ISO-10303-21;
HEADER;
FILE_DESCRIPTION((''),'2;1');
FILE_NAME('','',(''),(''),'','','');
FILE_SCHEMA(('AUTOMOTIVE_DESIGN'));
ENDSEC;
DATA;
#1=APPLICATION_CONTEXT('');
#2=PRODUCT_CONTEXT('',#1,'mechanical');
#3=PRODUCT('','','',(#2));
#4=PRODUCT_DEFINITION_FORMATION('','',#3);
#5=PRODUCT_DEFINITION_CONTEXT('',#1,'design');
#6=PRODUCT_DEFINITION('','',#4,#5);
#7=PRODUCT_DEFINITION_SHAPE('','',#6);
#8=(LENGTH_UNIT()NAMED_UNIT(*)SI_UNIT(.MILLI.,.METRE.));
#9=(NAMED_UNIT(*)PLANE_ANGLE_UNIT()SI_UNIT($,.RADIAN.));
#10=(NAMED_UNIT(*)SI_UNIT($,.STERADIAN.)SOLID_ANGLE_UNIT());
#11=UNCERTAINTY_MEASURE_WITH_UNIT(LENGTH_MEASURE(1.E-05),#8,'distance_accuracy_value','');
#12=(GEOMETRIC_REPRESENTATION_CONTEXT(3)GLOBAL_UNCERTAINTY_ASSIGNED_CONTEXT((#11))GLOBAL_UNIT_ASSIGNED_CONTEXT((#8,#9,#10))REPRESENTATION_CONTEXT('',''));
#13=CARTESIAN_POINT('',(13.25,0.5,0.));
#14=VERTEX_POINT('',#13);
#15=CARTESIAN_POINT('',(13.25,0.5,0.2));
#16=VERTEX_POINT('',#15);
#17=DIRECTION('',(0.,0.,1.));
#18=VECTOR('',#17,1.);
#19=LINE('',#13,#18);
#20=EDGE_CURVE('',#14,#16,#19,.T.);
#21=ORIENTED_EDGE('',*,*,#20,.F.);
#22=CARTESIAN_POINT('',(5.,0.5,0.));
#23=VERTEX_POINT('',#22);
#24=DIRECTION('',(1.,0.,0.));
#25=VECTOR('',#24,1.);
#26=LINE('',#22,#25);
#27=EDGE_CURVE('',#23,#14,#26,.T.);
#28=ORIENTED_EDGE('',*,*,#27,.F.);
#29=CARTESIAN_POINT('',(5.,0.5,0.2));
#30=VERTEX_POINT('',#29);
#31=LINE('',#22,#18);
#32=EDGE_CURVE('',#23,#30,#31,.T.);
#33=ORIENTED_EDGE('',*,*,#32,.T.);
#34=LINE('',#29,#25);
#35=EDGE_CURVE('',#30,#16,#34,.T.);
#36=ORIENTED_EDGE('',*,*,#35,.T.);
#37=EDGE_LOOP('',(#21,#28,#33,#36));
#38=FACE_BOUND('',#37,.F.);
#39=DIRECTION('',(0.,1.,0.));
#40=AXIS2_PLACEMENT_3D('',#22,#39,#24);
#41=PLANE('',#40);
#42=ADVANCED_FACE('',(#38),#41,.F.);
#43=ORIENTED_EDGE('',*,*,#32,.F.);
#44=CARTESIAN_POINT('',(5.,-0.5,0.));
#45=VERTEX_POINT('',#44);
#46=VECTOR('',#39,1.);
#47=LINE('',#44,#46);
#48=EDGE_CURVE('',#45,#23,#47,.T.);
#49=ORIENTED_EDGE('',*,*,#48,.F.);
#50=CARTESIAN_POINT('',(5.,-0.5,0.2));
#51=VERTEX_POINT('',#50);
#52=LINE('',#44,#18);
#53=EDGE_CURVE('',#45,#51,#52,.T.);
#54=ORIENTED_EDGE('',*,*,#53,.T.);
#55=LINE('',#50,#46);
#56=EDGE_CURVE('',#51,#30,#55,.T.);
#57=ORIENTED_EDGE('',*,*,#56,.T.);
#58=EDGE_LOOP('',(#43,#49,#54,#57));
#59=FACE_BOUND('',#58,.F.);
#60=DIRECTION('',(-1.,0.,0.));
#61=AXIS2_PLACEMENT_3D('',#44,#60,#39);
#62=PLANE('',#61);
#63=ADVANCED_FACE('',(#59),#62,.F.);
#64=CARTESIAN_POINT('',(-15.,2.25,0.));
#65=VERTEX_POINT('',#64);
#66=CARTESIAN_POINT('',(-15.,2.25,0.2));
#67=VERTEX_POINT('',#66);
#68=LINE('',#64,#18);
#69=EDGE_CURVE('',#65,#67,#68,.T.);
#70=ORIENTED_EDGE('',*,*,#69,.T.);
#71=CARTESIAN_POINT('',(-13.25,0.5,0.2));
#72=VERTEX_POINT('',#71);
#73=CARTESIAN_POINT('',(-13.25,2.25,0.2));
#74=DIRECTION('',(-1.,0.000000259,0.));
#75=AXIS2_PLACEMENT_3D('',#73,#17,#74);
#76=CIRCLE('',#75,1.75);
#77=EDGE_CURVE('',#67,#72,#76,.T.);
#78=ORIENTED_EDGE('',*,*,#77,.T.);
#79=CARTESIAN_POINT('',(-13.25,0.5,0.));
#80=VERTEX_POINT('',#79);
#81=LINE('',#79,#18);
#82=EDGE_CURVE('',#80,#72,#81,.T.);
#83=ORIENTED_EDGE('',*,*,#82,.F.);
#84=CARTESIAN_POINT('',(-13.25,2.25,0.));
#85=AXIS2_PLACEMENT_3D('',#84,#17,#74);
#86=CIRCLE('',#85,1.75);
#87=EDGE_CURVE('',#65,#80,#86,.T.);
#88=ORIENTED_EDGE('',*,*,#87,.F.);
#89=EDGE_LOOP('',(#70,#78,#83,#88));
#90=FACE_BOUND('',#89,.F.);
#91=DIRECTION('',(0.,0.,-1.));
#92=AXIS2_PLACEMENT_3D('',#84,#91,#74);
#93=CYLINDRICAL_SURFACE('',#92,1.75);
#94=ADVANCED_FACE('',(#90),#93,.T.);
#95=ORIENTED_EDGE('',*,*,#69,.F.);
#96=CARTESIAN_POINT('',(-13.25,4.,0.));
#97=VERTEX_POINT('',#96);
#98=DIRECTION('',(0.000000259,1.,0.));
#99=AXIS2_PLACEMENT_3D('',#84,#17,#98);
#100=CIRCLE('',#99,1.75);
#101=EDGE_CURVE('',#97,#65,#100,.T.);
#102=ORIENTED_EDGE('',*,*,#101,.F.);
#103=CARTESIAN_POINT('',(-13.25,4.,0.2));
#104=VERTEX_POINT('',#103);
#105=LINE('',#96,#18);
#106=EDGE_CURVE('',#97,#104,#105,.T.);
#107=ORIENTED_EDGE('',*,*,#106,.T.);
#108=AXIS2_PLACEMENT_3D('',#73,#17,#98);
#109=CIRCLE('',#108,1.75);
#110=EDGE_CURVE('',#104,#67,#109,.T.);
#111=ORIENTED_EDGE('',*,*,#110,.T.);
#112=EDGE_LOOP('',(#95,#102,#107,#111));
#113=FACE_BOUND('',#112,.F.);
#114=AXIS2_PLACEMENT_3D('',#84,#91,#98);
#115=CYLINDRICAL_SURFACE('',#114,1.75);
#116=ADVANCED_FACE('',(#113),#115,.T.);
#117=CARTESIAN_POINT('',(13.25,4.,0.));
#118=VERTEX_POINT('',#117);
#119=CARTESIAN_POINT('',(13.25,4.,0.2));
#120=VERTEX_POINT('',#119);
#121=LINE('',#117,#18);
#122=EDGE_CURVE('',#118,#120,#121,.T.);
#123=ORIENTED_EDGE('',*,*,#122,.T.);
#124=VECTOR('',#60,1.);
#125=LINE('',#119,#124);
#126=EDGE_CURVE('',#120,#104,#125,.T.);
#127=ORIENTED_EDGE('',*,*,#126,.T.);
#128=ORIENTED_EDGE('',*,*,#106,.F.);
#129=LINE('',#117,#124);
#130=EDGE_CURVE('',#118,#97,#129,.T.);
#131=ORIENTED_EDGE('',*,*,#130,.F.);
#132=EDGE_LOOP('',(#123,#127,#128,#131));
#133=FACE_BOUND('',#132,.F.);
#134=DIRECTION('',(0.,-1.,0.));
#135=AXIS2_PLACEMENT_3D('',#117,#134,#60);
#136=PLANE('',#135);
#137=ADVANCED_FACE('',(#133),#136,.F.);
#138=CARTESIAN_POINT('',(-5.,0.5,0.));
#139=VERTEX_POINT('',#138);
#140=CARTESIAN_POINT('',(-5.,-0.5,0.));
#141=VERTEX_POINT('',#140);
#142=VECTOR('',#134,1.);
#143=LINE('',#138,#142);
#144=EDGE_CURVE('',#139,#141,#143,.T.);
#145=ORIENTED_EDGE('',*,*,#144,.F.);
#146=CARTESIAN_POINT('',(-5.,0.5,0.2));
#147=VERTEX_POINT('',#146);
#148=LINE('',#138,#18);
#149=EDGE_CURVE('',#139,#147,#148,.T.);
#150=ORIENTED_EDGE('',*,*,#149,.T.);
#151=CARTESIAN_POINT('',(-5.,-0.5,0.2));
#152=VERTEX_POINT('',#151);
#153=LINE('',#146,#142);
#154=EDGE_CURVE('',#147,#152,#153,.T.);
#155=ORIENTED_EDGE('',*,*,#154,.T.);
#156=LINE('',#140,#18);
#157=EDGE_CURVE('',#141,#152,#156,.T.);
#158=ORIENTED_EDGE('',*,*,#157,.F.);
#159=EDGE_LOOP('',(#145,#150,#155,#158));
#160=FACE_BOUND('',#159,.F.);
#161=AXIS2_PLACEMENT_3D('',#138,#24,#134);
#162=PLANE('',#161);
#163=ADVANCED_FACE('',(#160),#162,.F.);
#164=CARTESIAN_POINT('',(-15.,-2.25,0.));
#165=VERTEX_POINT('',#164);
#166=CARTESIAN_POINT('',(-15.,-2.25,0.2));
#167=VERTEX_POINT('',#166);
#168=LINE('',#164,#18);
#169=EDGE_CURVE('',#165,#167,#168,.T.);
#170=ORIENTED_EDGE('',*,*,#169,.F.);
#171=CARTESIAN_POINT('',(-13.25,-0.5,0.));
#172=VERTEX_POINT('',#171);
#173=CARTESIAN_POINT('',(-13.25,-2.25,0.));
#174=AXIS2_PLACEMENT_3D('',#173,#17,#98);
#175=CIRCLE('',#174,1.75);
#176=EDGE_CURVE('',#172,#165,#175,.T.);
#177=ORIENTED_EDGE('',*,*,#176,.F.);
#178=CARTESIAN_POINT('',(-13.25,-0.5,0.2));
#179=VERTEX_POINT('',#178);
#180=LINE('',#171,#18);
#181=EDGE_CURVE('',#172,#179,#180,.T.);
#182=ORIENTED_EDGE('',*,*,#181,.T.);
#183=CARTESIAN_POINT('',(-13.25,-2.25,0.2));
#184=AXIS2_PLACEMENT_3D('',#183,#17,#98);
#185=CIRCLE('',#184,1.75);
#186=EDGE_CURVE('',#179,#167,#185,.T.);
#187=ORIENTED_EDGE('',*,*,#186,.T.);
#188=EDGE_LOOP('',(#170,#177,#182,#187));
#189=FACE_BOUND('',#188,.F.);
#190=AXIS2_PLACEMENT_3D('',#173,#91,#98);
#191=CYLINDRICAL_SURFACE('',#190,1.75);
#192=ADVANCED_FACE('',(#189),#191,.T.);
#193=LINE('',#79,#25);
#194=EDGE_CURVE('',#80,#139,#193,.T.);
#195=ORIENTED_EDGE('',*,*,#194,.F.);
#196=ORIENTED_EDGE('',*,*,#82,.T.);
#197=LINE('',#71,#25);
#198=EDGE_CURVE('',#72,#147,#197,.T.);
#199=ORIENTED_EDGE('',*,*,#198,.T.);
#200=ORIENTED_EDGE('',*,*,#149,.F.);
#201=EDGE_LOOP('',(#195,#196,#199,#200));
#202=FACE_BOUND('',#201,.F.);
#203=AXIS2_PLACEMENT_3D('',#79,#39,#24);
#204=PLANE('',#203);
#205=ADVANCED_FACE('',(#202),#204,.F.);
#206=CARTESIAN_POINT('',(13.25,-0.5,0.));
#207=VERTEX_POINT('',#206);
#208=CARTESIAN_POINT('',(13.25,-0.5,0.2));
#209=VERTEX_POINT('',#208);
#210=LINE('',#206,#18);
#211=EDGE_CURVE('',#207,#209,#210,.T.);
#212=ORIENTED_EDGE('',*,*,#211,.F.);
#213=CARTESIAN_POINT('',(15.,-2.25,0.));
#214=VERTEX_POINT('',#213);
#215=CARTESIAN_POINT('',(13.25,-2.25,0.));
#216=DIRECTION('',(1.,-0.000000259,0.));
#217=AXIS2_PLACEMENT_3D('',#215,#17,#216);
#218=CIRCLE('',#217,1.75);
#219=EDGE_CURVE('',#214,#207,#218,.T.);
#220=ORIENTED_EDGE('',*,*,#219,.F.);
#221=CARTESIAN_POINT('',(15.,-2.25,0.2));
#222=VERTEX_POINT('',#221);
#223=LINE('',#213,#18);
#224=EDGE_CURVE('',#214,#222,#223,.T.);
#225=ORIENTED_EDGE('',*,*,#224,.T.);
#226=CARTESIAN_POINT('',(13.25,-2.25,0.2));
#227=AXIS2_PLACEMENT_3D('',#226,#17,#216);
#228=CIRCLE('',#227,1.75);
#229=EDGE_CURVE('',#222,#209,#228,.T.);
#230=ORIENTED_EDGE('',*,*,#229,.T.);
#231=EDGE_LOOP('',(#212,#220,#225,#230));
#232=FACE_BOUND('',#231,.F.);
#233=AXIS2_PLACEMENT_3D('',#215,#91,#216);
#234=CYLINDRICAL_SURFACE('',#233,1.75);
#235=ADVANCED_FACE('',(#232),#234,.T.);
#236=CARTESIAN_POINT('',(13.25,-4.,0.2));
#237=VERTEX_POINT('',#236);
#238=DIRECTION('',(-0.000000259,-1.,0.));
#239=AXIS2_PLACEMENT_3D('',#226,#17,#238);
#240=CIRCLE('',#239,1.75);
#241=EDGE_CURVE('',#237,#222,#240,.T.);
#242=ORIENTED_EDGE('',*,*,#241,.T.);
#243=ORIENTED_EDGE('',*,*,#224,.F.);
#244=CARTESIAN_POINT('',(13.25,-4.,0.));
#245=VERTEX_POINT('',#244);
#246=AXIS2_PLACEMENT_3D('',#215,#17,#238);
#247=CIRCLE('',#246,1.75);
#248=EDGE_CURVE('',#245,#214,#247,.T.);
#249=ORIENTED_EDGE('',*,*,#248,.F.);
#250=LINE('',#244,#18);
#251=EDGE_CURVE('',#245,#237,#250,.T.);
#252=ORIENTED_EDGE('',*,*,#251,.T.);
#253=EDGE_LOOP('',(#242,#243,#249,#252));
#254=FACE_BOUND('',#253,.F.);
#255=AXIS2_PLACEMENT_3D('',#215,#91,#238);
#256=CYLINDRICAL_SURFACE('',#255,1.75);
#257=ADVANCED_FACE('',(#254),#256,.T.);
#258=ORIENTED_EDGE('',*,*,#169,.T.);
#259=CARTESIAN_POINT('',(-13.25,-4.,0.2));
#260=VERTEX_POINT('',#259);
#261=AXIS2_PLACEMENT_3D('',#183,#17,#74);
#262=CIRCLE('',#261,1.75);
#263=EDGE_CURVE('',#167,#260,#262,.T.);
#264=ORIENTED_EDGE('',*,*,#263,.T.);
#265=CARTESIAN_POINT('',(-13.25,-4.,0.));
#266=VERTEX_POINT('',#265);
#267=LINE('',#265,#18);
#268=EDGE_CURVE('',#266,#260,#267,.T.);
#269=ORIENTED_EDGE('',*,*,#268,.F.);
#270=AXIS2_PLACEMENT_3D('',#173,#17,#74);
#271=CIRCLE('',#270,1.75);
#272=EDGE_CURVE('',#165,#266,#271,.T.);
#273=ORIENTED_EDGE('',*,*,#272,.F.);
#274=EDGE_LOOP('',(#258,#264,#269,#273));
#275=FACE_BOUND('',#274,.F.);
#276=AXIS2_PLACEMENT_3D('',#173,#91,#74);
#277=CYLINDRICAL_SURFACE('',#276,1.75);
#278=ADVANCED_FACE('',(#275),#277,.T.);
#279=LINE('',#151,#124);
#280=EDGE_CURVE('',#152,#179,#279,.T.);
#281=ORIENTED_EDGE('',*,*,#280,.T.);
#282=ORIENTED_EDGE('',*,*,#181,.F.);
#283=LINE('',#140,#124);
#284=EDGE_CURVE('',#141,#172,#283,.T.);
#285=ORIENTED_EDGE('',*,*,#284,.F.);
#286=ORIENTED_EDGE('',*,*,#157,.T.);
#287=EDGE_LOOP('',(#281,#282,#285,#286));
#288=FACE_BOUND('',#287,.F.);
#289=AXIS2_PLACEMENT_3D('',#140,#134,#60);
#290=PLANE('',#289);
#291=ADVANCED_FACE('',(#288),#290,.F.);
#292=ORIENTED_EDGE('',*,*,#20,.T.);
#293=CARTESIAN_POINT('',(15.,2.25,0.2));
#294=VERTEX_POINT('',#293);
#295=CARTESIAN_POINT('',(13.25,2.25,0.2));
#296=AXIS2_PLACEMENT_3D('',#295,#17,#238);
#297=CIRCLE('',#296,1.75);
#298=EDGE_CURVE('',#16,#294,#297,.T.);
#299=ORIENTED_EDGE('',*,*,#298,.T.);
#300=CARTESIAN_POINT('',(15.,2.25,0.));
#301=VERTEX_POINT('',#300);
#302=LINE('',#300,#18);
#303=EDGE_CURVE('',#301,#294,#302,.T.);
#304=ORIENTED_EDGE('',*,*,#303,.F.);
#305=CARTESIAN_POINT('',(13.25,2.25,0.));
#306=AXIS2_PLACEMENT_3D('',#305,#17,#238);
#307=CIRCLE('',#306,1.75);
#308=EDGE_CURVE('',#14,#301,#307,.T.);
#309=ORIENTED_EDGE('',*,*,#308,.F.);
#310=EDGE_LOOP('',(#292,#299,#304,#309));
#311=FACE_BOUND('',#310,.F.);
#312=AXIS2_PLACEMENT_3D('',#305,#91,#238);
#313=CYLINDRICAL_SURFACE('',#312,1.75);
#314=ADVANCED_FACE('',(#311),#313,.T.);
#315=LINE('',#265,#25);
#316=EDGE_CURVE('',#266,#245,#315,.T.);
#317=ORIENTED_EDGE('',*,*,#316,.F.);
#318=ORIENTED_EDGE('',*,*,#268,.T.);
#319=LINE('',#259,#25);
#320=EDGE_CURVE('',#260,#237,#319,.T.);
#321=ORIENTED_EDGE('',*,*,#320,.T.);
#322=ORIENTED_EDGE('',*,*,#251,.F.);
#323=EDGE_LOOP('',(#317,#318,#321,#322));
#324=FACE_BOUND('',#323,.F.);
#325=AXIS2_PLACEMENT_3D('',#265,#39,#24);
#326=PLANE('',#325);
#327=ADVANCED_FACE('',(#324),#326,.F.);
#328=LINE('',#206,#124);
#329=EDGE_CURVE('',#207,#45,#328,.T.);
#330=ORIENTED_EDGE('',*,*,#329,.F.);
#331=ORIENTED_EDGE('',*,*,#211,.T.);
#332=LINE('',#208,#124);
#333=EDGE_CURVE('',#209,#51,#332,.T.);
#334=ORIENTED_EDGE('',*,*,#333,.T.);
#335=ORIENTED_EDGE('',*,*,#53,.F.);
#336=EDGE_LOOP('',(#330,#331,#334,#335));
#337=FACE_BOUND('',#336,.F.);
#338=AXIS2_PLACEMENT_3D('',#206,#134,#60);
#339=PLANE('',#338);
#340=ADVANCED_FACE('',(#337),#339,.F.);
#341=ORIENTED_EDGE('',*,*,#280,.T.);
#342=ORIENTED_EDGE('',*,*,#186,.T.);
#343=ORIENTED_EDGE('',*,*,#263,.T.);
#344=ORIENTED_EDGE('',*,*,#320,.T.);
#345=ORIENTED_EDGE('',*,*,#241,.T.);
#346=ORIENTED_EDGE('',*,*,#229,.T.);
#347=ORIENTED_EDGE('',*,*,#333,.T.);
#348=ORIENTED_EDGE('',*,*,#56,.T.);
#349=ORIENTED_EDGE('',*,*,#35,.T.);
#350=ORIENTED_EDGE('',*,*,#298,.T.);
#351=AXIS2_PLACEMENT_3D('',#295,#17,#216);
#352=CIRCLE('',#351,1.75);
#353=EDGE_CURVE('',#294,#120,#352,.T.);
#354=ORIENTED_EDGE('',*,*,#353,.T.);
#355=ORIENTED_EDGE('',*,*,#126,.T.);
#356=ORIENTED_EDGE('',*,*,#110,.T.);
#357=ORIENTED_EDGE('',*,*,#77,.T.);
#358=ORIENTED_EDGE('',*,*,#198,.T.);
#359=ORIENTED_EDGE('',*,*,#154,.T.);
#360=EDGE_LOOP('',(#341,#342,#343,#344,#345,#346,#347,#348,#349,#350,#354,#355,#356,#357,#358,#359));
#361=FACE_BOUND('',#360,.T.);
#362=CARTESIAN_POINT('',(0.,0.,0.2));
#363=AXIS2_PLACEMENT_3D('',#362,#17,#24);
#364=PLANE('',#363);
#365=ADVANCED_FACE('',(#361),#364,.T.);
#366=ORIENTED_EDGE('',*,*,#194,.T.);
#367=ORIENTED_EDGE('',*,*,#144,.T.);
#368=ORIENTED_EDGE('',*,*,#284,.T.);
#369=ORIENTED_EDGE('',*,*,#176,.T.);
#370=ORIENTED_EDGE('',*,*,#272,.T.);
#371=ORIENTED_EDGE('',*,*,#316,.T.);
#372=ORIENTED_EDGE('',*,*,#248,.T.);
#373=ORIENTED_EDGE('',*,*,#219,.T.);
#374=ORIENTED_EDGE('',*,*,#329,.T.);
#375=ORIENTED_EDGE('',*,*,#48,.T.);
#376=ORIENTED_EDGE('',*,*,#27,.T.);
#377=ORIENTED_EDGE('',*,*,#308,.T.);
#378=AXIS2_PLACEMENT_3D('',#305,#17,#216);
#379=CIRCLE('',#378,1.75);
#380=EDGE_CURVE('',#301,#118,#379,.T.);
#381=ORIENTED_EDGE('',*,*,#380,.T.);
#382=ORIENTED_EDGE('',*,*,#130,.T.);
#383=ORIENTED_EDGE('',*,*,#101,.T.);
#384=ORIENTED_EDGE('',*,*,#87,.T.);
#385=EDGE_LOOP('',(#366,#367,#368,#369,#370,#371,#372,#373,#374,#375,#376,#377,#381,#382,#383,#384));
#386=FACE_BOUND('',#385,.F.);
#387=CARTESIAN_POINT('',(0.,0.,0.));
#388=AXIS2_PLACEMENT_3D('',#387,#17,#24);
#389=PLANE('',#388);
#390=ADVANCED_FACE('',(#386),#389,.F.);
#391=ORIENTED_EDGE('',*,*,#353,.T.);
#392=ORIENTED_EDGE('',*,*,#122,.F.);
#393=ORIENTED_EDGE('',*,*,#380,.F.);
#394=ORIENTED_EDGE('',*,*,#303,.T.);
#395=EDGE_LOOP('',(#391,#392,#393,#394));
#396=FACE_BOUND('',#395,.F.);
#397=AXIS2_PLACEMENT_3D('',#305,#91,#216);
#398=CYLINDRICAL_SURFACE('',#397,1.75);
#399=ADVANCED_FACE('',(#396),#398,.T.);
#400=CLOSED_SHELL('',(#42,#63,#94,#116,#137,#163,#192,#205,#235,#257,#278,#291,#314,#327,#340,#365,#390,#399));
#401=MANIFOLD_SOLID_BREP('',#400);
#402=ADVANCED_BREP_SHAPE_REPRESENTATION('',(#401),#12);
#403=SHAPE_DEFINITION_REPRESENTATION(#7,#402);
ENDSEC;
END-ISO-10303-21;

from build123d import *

# Parameters (mm, degrees)
F1_DEPTH = 0.2


with BuildPart() as f1:
    # F0 (on Top) → F1 (new body)
    with BuildSketch(Plane.XY):
        with BuildLine():
            ThreePointArc((15, 2.25), (14.487437, 3.487437), (13.25, 4))
            Line((13.25, 4), (-13.25, 4))
            ThreePointArc((-13.25, 4), (-14.487437, 3.487437), (-15, 2.25))
            ThreePointArc((-15, 2.25), (-14.487437, 1.012563), (-13.25, 0.5))
            Line((-13.25, 0.5), (-5, 0.5))
            Line((-5, 0.5), (-5, -0.5))
            Line((-5, -0.5), (-13.25, -0.5))
            ThreePointArc((-13.25, -0.5), (-14.487437, -1.012563), (-15, -2.25))
            ThreePointArc((-15, -2.25), (-14.487437, -3.487437), (-13.25, -4))
            Line((-13.25, -4), (13.25, -4))
            ThreePointArc((13.25, -4), (14.487437, -3.487437), (15, -2.25))
            ThreePointArc((15, -2.25), (14.487437, -1.012563), (13.25, -0.5))
            Line((13.25, -0.5), (5, -0.5))
            Line((5, -0.5), (5, 0.5))
            Line((5, 0.5), (13.25, 0.5))
            ThreePointArc((13.25, 0.5), (14.487437, 1.012563), (15, 2.25))
        make_face()
    extrude(amount=F1_DEPTH)


solid = f1.part
